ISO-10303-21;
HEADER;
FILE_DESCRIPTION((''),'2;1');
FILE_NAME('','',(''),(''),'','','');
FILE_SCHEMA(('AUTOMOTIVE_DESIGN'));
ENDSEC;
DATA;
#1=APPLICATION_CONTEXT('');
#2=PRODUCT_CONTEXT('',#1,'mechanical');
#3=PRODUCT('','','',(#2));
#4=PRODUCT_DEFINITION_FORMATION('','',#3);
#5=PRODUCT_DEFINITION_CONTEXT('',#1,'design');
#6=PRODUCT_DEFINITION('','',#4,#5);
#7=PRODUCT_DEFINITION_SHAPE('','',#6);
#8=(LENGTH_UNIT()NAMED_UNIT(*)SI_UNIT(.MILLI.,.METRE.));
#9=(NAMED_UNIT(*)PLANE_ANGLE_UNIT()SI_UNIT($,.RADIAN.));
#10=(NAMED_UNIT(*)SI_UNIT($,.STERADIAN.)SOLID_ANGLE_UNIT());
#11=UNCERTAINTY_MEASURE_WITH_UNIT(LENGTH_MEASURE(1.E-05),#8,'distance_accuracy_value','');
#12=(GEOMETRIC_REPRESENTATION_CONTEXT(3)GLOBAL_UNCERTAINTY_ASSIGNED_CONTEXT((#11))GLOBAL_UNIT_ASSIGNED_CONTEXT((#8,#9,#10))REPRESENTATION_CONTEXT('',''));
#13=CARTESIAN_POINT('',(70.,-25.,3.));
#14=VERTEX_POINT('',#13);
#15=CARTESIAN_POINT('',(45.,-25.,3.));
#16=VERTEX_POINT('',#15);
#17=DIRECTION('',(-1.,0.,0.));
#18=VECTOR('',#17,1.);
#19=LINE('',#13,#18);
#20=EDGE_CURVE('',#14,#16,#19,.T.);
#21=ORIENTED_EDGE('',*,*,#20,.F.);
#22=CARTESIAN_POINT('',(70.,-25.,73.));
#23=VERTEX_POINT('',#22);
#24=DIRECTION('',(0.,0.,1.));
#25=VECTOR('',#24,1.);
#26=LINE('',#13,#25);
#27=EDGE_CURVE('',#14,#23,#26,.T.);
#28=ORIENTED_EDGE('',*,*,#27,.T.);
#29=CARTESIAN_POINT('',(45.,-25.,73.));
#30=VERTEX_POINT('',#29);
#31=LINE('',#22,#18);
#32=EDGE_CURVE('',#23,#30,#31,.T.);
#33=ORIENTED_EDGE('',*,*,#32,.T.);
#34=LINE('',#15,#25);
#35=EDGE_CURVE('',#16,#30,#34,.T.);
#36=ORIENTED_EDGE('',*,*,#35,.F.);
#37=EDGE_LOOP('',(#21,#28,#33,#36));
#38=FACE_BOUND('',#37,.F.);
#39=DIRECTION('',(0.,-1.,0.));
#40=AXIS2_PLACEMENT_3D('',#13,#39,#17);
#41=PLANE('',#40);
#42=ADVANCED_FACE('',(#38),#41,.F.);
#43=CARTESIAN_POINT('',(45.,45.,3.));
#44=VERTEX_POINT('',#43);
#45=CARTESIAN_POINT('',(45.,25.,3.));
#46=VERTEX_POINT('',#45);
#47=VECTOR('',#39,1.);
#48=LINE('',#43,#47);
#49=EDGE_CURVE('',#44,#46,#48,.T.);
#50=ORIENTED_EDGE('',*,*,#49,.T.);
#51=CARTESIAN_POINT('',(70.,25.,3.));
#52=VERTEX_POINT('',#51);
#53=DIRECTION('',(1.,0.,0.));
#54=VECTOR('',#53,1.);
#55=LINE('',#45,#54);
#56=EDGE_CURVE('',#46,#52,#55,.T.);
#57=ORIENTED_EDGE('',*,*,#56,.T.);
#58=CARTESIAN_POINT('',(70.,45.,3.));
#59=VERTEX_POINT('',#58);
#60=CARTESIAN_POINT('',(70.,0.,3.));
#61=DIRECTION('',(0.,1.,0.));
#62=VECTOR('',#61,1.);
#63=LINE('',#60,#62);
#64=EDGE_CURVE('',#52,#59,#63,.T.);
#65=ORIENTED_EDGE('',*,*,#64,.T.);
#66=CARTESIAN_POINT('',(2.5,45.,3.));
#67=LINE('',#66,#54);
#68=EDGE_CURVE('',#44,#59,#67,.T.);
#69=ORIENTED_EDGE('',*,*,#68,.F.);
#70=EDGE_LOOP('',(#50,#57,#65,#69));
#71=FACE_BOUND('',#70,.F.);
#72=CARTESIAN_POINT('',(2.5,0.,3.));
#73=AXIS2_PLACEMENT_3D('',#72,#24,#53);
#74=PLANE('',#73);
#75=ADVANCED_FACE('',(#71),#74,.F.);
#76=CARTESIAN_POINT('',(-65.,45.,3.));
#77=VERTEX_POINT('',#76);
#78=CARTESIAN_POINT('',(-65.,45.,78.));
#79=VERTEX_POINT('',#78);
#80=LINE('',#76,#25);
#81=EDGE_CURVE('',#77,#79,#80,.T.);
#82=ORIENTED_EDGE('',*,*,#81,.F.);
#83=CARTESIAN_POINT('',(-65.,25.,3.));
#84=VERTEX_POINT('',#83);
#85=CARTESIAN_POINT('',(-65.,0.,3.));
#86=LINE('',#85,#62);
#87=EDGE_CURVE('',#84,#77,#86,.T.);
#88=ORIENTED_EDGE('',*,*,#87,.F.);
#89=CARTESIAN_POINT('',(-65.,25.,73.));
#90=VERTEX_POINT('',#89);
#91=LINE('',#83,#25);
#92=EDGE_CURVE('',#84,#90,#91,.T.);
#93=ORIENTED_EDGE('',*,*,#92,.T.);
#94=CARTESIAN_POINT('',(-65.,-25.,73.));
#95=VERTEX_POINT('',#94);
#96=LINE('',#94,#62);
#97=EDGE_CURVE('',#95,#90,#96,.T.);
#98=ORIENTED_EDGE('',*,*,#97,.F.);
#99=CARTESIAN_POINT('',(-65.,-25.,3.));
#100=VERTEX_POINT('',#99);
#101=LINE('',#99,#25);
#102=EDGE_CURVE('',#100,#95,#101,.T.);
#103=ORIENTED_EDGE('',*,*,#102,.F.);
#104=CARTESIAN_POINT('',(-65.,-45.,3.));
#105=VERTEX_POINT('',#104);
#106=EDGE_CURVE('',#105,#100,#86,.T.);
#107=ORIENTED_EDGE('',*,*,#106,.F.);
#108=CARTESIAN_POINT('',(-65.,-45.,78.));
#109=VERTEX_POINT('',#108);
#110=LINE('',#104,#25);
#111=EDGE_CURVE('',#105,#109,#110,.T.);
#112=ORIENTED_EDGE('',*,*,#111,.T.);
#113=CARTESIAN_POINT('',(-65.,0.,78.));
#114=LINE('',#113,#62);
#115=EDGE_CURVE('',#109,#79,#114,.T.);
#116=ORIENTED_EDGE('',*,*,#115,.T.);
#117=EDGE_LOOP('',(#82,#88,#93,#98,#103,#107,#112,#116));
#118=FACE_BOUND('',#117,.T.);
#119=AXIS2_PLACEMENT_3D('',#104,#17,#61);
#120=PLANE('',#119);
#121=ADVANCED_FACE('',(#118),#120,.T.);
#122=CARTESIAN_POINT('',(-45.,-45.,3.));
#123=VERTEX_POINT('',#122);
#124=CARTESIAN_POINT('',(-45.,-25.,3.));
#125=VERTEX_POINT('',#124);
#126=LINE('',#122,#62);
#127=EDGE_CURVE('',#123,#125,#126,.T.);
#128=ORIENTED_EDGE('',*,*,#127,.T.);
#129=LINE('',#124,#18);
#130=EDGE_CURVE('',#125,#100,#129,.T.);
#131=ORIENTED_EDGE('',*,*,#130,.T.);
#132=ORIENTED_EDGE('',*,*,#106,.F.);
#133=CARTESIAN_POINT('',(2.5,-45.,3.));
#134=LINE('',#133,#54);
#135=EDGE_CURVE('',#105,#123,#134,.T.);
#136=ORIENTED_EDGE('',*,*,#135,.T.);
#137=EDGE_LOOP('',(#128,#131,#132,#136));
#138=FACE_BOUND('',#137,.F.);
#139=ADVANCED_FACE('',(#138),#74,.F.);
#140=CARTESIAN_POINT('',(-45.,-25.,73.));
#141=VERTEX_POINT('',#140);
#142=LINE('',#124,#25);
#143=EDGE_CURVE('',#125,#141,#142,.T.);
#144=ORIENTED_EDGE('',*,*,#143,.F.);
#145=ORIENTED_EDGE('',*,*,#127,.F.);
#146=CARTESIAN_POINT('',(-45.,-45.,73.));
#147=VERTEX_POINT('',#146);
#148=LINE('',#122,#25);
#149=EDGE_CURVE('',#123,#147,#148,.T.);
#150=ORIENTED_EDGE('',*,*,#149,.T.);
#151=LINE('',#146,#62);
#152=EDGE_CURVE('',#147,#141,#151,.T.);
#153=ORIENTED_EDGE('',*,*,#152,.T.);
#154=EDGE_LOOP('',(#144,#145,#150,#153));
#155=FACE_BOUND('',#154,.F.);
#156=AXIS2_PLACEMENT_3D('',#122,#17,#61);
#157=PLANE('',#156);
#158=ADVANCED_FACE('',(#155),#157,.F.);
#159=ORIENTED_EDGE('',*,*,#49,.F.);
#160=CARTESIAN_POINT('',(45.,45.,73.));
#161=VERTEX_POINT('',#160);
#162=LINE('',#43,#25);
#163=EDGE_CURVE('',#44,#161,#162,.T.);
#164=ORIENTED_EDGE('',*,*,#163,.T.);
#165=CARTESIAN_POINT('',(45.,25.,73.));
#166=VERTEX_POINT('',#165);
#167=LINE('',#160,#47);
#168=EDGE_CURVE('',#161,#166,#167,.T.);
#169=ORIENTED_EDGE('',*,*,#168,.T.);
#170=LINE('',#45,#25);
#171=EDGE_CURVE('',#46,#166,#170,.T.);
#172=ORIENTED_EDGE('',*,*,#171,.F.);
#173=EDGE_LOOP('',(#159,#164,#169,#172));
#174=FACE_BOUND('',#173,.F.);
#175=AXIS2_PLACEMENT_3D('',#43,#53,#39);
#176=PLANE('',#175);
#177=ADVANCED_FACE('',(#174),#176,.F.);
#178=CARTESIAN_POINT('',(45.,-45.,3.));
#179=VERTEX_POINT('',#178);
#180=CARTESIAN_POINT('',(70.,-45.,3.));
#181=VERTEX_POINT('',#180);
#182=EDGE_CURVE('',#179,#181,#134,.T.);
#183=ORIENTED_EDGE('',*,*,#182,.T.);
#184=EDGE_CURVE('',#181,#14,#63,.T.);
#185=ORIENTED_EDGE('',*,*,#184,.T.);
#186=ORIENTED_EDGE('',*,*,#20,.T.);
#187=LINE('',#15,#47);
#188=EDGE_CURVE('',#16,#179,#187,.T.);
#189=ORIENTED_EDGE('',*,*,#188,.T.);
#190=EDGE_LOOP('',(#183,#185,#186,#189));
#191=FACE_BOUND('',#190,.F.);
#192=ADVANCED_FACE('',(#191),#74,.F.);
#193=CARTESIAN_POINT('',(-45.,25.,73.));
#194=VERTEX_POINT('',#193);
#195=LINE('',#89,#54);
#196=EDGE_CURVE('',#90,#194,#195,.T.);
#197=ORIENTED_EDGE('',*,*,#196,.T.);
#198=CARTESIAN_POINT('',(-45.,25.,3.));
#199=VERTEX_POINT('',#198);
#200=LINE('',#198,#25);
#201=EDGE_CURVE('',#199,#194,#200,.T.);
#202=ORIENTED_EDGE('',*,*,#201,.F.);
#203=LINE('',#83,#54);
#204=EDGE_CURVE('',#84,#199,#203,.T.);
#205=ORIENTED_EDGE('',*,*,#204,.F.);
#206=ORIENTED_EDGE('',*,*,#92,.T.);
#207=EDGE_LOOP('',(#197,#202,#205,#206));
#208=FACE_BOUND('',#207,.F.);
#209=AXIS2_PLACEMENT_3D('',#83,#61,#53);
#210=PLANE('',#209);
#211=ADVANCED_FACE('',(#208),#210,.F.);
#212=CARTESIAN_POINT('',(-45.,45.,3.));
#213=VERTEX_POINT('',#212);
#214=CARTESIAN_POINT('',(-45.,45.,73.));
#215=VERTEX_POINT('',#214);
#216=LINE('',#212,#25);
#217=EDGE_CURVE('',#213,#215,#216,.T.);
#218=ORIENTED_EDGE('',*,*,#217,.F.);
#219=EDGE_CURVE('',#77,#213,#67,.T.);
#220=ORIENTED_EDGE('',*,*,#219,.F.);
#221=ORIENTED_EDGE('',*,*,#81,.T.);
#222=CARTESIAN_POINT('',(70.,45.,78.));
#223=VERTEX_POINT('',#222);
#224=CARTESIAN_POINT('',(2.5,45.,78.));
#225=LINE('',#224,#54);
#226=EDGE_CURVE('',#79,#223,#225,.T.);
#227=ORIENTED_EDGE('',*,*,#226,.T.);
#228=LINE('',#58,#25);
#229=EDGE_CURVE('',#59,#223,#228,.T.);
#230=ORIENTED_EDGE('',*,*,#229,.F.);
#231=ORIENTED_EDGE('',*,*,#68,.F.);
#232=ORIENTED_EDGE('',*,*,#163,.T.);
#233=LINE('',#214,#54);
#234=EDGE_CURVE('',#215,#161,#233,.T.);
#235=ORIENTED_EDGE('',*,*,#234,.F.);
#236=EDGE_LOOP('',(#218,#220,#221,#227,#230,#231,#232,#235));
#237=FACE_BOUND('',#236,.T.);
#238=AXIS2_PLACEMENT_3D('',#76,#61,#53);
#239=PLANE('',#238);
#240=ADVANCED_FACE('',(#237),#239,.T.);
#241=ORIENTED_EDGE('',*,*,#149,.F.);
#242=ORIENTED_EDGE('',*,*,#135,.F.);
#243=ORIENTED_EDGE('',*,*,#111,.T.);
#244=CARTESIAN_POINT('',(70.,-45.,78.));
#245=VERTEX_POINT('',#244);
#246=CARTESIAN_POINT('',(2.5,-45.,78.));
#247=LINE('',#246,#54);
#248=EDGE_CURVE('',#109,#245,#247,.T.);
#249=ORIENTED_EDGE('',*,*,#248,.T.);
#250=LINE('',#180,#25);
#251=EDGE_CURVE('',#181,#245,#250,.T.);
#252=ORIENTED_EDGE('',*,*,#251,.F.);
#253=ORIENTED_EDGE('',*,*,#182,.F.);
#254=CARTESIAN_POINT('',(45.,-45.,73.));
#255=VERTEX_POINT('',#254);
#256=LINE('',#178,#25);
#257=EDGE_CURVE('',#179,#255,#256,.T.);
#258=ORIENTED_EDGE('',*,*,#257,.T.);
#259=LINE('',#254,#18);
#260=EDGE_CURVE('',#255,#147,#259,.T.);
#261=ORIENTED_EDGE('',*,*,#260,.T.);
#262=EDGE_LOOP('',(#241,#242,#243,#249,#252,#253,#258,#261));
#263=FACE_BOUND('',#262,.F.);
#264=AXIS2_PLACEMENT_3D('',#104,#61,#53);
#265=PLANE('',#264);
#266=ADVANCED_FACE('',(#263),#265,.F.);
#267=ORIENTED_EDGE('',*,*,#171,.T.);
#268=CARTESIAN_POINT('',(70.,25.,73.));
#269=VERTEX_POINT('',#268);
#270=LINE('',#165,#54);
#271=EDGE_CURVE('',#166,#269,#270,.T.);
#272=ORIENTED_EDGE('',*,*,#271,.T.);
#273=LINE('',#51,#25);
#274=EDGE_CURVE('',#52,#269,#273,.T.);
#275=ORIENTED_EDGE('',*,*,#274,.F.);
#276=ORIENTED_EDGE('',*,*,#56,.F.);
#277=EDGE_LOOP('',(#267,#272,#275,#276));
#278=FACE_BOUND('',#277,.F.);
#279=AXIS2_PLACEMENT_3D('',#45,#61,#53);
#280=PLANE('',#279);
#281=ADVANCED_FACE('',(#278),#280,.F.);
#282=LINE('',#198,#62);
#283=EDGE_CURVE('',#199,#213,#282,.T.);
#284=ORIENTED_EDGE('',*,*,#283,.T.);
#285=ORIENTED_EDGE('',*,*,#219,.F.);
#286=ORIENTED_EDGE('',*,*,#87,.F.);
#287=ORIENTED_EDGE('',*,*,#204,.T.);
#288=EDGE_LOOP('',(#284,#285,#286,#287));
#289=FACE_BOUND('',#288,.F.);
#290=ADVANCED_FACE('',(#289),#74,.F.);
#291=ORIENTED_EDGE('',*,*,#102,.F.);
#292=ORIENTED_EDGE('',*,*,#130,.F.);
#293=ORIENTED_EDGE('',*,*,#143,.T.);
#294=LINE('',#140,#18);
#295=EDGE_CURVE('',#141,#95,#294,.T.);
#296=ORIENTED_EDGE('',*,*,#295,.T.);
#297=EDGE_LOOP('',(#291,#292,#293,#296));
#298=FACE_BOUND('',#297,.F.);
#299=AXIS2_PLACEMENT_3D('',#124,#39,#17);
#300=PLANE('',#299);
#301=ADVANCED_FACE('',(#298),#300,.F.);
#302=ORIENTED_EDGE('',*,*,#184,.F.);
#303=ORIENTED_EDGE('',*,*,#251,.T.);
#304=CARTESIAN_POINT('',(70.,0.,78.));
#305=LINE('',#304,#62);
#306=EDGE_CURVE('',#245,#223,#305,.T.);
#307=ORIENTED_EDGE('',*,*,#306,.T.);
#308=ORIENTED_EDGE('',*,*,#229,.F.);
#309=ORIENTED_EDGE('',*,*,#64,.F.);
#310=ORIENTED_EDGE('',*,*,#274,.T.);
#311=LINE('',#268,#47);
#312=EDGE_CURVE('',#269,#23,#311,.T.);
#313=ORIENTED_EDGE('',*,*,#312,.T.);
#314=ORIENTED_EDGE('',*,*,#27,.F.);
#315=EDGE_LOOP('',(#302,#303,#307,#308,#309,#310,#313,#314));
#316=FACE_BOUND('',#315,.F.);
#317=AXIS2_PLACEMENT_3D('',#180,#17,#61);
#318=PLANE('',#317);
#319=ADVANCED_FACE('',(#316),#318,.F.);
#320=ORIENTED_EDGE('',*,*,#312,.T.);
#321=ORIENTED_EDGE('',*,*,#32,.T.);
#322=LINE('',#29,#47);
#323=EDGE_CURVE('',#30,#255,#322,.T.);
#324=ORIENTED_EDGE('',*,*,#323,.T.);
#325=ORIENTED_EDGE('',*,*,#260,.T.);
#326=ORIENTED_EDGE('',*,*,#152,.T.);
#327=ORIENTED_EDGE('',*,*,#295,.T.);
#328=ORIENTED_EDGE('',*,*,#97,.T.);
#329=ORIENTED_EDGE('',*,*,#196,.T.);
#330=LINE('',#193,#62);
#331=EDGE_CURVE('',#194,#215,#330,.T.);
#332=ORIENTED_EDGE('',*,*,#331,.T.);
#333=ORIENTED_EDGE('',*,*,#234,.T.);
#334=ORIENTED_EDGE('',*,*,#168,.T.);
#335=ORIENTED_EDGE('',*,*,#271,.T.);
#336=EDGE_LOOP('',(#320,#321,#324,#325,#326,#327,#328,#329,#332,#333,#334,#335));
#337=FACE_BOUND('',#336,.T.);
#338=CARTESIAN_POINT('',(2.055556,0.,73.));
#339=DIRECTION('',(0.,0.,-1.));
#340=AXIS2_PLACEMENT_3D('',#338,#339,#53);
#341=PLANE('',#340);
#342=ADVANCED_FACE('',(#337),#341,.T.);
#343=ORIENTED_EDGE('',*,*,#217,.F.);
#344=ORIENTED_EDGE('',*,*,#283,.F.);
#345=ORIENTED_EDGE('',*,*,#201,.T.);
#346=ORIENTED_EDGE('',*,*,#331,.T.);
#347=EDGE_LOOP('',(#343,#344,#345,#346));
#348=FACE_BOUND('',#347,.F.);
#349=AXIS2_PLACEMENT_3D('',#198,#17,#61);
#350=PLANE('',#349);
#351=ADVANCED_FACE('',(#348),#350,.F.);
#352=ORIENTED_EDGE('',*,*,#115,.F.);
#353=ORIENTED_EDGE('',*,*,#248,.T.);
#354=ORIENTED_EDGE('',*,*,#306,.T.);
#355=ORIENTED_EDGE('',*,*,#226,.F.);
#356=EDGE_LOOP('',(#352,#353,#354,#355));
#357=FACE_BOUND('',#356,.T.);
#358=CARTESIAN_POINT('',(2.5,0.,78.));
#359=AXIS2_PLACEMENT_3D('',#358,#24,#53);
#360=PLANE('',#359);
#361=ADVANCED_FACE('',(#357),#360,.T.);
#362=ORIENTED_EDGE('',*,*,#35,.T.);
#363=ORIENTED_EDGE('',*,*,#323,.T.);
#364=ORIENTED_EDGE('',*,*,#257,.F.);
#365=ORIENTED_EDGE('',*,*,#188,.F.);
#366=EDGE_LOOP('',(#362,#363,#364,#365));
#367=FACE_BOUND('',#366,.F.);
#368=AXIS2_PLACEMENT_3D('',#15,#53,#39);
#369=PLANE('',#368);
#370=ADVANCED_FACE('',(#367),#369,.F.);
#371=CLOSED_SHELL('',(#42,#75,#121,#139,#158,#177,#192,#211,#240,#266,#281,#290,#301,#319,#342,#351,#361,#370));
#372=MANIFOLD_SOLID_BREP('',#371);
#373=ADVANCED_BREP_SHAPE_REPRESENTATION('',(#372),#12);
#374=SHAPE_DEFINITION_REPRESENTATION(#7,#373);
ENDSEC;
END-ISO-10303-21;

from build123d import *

# Parameters (mm, degrees)
TORUS001_R   = 3.1
BOX_W        = 135
BOX_H        = 90
BOX_DEPTH    = 75
POCKET_DEPTH = 70


with BuildPart() as torus001:
    # Torus001 → Torus001 (revolve)
    with BuildSketch(Plane(origin=(-20, 0, 79), x_dir=(1, 0, 0), z_dir=(0, -1, 0))):
        with Locations((35, 0)):
            Circle(TORUS001_R)
    revolve(axis=Axis((-20, 0, 79), (0, 0, 1)))


with BuildPart() as pocket:
    # Box → Box (new body)
    with BuildSketch(Plane.XY):
        with Locations((67.5, 45)):
            Rectangle(BOX_W, BOX_H)
    extrude(amount=BOX_DEPTH)

    # Cut001: cut Torus001
    add(torus001.part, mode=Mode.SUBTRACT)


with BuildPart() as pocket_1:
    # Cut001 placement: moved
    add(pocket.part.moved(Location((-65, -45, 3))))

    # Sketch → Pocket (cut)
    with BuildSketch(Plane(origin=(-65, -45, 3), x_dir=(1, 0, 0), z_dir=(0, 0, -1))):
        Polygon((20, 0), (20, -20), (0, -20), (0, -70), (20, -70), (20, -90), (110, -90), (110, -70), (135, -70), (135, -20), (110, -20), (110, 0), align=None)
    extrude(amount=-POCKET_DEPTH, mode=Mode.SUBTRACT)


solid = pocket_1.part
